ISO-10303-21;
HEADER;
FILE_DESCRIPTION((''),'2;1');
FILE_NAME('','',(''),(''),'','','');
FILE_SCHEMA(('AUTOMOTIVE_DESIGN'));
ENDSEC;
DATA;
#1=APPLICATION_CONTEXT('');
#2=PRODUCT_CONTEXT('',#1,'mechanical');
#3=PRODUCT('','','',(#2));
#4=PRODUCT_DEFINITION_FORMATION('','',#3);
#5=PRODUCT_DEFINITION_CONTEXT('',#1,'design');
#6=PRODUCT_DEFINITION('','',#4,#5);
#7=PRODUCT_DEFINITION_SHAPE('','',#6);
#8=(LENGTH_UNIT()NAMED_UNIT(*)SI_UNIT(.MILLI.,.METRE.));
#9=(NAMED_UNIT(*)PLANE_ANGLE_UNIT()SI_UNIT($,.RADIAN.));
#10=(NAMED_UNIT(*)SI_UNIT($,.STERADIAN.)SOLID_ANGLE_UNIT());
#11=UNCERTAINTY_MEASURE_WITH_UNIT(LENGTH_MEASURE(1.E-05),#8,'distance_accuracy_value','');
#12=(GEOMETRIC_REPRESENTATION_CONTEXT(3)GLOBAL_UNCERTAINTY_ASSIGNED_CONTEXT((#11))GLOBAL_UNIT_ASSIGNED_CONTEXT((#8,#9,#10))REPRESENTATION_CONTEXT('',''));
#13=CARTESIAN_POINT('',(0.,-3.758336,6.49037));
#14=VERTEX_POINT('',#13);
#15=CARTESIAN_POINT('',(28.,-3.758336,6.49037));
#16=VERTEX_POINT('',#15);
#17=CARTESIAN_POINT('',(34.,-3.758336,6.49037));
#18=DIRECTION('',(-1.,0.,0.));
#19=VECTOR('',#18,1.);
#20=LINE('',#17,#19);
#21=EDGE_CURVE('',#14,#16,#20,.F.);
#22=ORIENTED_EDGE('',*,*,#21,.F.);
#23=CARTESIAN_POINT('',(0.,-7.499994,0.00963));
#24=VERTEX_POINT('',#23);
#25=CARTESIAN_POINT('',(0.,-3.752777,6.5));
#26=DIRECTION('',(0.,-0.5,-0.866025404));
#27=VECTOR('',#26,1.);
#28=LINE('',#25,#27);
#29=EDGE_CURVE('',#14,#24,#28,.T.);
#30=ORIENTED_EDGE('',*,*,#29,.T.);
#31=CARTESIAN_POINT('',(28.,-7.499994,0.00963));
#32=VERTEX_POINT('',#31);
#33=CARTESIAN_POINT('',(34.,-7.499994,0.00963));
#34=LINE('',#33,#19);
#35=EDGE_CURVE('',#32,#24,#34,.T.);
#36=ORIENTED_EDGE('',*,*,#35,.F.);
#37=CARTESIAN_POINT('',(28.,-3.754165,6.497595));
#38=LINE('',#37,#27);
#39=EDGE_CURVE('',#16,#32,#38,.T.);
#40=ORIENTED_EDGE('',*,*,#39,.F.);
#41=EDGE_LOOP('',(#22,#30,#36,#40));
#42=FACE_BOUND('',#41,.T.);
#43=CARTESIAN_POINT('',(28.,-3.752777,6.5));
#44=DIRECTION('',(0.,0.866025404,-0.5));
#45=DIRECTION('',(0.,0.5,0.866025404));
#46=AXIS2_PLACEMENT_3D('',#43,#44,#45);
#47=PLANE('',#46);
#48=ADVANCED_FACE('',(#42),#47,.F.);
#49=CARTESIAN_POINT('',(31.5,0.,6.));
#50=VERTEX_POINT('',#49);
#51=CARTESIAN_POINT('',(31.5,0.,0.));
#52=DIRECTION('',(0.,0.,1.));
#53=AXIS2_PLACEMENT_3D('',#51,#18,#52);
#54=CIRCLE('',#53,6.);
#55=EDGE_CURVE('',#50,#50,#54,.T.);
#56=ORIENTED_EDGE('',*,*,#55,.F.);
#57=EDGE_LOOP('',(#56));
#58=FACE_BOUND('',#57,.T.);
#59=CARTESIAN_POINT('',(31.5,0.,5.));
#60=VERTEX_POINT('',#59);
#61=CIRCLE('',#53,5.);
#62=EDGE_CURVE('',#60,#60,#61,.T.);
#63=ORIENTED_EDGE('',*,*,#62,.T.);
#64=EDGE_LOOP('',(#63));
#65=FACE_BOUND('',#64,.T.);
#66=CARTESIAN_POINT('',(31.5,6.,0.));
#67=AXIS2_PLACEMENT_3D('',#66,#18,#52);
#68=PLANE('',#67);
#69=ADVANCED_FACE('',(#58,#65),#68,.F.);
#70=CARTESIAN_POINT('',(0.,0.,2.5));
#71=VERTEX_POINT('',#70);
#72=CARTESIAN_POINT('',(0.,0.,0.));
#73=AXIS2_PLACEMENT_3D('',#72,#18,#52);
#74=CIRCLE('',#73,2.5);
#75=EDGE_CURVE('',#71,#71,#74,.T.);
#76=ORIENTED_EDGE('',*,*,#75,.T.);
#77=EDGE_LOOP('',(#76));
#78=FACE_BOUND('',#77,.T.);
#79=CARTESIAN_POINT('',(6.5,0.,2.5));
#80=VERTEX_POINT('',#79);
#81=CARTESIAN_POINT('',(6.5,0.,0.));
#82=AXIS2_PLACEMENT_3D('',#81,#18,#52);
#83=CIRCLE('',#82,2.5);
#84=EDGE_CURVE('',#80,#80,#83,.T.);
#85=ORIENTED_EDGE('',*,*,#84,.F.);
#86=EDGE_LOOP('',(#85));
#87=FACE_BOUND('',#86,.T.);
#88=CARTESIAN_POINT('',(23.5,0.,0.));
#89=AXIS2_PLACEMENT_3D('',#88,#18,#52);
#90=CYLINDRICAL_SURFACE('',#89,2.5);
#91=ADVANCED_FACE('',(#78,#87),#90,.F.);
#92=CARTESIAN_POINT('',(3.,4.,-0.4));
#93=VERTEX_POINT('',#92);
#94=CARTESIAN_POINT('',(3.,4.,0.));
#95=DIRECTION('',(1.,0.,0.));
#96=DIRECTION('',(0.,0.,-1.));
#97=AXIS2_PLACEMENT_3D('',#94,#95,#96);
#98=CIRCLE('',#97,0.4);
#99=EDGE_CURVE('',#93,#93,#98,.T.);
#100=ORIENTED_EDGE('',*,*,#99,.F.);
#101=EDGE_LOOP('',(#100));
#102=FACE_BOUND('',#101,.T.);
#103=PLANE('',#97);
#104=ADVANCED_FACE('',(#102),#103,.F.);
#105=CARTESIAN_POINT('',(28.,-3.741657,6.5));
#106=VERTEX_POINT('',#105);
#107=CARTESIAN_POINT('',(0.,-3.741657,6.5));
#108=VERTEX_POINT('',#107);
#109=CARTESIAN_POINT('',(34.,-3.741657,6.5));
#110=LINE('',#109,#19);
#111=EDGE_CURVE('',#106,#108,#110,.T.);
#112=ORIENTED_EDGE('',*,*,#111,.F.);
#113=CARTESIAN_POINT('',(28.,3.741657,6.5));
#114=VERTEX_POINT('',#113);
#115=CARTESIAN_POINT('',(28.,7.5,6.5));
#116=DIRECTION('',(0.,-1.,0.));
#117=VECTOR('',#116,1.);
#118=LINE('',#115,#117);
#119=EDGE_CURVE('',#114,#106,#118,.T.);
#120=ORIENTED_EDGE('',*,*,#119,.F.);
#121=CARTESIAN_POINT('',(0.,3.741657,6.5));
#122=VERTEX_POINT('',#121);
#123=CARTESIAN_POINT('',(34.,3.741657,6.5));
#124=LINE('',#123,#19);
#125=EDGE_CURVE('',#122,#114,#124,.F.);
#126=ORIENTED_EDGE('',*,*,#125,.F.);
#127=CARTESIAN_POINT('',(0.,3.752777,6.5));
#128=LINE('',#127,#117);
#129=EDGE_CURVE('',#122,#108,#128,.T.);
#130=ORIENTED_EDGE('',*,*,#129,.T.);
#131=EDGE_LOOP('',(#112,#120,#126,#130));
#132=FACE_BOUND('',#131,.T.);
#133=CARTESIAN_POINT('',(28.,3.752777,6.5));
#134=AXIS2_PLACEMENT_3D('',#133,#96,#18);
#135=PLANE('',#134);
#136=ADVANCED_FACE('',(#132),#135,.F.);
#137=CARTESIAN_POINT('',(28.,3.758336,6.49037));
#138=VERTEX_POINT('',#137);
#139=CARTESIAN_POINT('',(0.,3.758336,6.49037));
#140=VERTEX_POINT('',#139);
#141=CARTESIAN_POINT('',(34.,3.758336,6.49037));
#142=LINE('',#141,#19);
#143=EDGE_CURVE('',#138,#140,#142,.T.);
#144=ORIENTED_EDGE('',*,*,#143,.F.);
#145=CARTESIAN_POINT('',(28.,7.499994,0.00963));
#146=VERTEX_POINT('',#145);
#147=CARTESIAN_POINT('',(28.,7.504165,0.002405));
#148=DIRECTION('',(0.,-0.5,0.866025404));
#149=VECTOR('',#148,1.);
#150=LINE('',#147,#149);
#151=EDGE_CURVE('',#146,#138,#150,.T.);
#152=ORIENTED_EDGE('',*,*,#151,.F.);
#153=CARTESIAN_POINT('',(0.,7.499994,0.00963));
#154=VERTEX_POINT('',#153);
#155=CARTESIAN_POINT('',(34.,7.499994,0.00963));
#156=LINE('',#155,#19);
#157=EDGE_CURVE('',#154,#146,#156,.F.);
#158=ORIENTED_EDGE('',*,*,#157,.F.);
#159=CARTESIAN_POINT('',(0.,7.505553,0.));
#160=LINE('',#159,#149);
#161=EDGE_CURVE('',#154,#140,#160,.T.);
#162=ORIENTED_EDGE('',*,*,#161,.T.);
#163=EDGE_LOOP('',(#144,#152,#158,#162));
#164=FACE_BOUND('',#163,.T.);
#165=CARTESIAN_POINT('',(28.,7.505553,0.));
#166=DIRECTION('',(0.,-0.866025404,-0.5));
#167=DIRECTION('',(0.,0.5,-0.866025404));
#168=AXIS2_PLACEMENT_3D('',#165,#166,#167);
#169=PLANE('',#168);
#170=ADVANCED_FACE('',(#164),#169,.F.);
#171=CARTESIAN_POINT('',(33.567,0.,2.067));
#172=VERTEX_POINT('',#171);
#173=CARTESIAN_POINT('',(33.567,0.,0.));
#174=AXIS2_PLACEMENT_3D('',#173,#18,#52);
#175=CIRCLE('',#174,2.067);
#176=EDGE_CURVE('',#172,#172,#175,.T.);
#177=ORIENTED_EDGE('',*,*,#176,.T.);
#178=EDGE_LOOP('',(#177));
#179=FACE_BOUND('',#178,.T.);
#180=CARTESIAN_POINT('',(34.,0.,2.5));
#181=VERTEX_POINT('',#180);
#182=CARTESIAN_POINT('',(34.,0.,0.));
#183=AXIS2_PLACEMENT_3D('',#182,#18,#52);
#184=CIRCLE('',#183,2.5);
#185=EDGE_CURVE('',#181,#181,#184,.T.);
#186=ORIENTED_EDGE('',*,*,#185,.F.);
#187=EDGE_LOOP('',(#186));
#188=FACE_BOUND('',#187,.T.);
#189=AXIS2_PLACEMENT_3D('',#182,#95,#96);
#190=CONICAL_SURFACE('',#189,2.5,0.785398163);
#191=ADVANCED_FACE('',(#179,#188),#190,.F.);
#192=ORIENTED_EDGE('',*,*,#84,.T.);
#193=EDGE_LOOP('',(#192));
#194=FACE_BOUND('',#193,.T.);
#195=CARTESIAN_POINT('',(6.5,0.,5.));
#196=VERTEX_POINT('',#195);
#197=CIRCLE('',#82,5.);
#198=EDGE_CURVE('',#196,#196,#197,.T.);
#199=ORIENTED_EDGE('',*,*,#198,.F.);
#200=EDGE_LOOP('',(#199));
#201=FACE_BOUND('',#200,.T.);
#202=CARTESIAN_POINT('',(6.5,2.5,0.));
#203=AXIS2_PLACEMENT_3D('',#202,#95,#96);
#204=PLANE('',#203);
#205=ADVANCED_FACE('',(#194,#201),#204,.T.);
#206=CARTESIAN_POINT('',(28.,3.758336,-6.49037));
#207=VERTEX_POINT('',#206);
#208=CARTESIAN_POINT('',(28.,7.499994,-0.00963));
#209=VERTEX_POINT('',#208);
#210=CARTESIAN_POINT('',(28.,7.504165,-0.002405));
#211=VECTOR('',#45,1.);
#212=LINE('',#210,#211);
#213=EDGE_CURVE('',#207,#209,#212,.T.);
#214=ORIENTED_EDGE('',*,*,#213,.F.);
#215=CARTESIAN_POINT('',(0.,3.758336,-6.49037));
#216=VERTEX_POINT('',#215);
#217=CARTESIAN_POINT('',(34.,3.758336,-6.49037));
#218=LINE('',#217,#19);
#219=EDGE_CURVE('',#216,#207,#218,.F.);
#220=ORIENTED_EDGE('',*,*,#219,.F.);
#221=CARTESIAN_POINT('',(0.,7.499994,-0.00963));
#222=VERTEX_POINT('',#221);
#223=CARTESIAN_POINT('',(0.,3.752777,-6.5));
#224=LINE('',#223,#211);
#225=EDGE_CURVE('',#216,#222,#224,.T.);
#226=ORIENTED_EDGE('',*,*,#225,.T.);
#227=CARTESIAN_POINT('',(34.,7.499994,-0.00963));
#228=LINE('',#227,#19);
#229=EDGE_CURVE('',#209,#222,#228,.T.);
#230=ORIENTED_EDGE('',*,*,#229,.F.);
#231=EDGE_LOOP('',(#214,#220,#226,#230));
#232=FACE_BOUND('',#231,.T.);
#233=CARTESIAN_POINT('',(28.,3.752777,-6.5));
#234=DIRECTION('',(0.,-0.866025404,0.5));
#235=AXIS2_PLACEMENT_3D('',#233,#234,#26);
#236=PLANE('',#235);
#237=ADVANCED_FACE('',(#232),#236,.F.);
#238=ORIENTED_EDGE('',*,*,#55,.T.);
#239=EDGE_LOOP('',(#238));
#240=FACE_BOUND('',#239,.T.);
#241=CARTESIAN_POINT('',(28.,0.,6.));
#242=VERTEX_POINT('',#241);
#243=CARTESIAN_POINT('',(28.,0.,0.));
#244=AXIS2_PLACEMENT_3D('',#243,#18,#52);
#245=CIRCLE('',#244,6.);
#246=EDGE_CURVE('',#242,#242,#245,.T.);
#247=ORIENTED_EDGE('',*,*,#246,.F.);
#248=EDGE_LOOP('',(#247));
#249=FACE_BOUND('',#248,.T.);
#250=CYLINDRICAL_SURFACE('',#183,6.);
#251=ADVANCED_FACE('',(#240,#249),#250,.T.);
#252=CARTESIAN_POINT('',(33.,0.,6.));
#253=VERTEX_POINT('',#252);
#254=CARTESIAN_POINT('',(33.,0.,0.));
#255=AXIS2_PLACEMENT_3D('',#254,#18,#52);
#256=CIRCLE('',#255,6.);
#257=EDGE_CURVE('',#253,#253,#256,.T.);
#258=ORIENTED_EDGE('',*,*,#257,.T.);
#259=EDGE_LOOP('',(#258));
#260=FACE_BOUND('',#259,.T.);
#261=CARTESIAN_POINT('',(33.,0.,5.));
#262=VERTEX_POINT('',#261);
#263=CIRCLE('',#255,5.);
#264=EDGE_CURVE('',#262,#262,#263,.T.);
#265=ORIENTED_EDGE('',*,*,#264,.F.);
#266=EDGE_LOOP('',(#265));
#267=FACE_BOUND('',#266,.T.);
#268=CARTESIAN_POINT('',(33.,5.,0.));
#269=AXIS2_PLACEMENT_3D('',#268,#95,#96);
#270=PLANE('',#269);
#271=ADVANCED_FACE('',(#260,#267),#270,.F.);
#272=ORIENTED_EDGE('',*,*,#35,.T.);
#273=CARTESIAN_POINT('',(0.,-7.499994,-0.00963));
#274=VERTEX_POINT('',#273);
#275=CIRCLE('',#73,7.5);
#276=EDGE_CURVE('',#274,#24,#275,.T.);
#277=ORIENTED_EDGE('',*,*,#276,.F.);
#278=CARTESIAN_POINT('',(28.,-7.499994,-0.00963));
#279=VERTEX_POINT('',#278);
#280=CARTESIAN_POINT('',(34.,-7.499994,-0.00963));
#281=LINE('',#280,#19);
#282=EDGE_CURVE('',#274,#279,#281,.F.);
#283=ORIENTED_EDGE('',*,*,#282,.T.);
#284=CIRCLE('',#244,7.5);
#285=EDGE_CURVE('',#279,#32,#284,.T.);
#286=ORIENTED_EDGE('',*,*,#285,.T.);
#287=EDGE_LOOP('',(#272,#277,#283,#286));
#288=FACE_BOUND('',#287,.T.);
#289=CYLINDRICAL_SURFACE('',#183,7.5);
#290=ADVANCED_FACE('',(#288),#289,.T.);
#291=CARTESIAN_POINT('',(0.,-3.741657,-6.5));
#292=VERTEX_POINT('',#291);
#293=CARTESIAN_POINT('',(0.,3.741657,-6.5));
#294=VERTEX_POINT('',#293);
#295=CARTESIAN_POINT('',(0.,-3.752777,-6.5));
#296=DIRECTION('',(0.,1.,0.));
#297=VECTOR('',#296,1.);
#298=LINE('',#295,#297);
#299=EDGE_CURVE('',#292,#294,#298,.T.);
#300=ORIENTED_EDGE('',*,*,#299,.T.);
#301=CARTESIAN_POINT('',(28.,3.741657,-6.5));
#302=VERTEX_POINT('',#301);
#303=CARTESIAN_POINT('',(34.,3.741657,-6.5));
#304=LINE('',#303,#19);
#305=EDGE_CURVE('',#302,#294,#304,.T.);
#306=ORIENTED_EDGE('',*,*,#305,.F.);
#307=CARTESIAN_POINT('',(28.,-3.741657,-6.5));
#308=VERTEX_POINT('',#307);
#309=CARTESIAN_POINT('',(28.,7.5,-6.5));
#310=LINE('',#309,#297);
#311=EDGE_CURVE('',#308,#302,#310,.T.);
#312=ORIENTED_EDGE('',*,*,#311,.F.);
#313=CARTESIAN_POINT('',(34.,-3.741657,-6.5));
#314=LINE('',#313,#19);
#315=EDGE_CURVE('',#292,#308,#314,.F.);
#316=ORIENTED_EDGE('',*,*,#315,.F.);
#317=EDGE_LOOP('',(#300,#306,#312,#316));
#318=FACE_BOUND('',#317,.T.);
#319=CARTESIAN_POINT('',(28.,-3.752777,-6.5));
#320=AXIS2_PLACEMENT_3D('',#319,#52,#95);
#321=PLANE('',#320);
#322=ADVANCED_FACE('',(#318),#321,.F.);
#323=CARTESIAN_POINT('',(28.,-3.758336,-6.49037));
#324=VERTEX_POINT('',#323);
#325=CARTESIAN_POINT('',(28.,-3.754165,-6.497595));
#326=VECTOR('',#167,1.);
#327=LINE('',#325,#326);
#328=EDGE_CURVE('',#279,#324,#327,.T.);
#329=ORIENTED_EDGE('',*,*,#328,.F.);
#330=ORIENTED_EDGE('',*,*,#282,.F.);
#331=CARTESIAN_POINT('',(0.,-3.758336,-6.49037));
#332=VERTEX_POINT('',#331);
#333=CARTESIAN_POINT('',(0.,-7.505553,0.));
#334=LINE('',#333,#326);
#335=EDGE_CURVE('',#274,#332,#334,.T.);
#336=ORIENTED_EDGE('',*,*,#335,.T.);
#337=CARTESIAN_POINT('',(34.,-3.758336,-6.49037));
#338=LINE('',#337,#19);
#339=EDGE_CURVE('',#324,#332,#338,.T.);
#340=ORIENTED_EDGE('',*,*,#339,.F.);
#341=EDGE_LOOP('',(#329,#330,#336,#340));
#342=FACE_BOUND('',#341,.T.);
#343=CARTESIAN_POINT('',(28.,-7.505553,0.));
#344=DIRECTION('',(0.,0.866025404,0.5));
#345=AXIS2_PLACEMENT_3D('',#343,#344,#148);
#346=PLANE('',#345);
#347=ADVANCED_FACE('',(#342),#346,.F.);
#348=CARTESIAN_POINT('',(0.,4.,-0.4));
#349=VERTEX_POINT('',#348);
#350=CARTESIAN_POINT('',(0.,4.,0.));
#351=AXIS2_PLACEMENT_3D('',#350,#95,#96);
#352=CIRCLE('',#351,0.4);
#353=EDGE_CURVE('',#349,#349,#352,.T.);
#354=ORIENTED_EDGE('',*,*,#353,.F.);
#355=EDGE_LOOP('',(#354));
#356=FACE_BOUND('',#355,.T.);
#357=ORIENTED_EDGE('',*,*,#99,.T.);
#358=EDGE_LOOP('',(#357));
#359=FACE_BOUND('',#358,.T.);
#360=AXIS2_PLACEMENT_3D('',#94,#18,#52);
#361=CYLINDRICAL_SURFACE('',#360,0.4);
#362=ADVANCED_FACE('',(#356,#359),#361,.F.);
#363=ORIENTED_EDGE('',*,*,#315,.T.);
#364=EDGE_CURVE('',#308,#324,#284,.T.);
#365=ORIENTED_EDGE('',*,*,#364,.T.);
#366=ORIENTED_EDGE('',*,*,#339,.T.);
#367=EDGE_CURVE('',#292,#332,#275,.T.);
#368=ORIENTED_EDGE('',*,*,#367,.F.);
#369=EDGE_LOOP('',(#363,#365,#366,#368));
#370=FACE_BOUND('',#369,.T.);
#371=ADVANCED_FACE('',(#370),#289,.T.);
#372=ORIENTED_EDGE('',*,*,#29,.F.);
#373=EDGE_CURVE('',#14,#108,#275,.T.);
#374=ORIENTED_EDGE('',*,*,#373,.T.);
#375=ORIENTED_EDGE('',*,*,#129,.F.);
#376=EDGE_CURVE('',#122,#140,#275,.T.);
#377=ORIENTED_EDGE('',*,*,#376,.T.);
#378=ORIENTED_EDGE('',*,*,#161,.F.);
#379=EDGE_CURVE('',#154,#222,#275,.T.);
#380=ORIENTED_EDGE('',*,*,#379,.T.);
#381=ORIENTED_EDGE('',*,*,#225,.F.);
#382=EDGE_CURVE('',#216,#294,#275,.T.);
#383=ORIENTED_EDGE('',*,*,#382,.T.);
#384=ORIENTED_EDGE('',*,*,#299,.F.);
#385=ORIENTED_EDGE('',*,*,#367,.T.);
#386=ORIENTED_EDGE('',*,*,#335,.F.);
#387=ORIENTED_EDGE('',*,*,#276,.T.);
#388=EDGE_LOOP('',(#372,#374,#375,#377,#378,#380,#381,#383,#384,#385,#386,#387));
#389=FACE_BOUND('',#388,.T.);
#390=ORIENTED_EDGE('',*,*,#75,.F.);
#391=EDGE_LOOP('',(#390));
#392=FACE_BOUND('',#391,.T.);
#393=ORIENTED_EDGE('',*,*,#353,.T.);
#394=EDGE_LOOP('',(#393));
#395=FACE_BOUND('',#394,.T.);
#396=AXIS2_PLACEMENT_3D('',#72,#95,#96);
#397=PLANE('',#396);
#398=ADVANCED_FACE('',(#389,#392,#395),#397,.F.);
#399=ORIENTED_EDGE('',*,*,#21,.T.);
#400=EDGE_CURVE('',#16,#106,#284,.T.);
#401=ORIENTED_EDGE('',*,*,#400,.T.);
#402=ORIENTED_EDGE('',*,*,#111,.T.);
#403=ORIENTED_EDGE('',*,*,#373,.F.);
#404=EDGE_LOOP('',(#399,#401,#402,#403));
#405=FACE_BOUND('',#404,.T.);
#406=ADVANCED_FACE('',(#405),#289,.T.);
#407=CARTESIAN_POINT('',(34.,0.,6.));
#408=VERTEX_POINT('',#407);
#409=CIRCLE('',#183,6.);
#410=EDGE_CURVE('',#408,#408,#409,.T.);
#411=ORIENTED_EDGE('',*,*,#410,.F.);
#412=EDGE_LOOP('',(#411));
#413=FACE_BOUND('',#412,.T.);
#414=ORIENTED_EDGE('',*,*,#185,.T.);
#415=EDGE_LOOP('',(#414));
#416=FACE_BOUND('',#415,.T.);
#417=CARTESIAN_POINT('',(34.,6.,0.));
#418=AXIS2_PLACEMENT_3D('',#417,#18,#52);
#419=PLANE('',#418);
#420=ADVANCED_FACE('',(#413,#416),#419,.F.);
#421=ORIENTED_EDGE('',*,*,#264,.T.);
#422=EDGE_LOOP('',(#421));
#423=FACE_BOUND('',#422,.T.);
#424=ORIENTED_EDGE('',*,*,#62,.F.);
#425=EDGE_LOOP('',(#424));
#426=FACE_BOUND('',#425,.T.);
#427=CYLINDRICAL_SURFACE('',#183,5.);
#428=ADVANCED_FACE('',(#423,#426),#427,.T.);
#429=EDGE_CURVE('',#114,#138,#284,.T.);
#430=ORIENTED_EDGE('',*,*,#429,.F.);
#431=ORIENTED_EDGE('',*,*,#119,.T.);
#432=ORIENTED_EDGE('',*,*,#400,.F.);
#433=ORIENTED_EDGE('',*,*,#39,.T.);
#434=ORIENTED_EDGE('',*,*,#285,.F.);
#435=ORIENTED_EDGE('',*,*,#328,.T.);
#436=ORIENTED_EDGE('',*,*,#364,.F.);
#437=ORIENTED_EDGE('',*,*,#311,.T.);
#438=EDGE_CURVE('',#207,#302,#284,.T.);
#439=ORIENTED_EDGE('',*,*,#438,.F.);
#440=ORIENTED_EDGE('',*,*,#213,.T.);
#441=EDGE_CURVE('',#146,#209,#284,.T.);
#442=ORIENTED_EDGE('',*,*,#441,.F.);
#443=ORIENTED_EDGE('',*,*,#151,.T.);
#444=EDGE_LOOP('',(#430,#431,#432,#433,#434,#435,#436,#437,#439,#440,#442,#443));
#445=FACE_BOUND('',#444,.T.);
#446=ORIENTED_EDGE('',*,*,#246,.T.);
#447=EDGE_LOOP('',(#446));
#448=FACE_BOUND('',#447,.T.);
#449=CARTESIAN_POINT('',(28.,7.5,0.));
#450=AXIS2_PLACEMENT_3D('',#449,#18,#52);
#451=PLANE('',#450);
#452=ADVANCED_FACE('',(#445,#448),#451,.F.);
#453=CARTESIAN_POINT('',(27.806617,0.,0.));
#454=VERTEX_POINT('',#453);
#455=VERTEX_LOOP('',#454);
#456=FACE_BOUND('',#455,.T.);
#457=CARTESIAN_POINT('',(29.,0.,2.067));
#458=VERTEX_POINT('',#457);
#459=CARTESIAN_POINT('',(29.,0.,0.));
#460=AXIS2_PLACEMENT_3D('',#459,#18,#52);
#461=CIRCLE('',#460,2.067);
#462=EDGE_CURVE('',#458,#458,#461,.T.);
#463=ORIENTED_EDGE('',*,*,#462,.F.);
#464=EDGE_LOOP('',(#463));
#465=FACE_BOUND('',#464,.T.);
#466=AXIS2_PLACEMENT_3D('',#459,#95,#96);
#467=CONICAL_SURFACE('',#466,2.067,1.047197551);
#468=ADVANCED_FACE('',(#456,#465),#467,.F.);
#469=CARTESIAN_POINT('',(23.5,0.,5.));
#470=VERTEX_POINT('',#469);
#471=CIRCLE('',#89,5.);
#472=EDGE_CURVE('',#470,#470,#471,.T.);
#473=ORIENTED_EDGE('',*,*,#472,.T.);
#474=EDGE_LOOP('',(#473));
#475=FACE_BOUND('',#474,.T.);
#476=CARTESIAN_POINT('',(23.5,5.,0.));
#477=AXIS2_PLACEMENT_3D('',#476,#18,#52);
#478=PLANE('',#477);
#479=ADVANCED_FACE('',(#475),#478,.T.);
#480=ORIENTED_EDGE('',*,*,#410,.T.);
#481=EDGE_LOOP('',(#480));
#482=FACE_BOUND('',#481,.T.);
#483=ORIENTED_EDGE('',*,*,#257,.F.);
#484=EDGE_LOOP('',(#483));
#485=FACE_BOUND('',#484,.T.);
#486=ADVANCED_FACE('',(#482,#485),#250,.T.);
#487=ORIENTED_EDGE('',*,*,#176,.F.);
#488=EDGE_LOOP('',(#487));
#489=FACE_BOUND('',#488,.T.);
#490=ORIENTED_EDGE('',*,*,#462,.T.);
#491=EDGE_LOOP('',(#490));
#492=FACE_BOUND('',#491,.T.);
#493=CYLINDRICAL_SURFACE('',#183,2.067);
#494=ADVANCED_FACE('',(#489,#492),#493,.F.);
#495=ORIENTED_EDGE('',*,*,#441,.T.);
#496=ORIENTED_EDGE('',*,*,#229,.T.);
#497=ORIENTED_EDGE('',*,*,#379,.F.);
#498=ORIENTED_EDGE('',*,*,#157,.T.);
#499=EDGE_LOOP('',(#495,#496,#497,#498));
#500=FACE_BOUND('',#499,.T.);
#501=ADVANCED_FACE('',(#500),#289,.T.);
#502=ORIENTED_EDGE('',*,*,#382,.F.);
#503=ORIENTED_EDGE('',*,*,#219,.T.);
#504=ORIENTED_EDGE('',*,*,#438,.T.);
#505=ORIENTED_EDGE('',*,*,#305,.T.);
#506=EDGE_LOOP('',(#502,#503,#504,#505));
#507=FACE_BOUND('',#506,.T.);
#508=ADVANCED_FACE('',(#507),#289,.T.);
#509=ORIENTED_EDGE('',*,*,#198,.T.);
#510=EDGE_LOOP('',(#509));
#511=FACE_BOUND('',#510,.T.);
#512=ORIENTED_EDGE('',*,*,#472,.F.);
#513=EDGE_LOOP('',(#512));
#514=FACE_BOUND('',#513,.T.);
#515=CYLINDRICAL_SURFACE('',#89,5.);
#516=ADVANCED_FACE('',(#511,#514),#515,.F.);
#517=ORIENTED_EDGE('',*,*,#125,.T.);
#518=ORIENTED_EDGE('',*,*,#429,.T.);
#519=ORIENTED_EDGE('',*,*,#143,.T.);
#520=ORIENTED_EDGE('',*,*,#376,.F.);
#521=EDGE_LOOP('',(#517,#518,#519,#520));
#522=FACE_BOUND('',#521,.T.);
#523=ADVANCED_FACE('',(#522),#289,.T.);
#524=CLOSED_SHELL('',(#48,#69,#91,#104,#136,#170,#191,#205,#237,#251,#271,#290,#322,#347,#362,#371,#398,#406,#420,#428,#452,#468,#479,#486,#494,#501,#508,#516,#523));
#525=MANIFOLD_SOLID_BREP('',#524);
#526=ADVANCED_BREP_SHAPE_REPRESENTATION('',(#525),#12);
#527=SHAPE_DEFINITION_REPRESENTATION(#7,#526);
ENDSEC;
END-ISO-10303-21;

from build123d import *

# Parameters (mm, degrees)
SKETCH_4_R          = 23.958779716
CUT_EXTRUDE_1_DEPTH = 28
SKETCH_5_R          = 0.4
CUT_EXTRUDE_2_DEPTH = 3


with BuildPart() as part:
    # 草图1 → 旋转1 (revolve)
    with BuildSketch(Plane.XY, mode=Mode.PRIVATE) as revolve_1_sk:
        Polygon((0, 0), (0, 7.5), (28, 7.5), (28, 6), (31.5, 6), (31.5, 5), (33, 5), (33, 6), (34, 6), (34, 0), align=None)
    revolve(revolve_1_sk.sketch.rotate(Axis((34, 0, 0), (-1, 0, 0)), 270), axis=Axis((34, 0, 0), (-1, 0, 0)))

    # 草图2 → 切除-旋转1 (revolve, cut)
    with BuildSketch(Plane.XY, mode=Mode.PRIVATE) as cut_revolve_1_sk:
        Polygon((0, 0), (0, 2.5), (6.5, 2.5), (6.5, 5), (23.5, 5), (23.5, 0), align=None)
    revolve(cut_revolve_1_sk.sketch.rotate(Axis((23.5, 0, 0), (-1, 0, 0)), 270), axis=Axis((23.5, 0, 0), (-1, 0, 0)), mode=Mode.SUBTRACT)

    # 草图3 → 切除-旋转2 (revolve, cut)
    with BuildSketch(Plane.XY, mode=Mode.PRIVATE) as cut_revolve_2_sk:
        Polygon((27.806616994, 0), (29, 2.067), (33.567, 2.067), (34, 2.5), (34, 0), align=None)
    revolve(cut_revolve_2_sk.sketch.rotate(Axis((34, 0, 0), (-1, 0, 0)), 270), axis=Axis((34, 0, 0), (-1, 0, 0)), mode=Mode.SUBTRACT)

    # 草图4 → 切除-拉伸1 (cut)
    with BuildSketch(Plane(origin=(0, 0, 0), x_dir=(0, 0, -1), z_dir=(1, 0, 0))):
        Circle(SKETCH_4_R)
        Polygon((-6.5, -3.75277675), (0, -7.505553499), (6.5, -3.75277675), (6.5, 3.75277675), (0, 7.505553499), (-6.5, 3.75277675), align=None, mode=Mode.SUBTRACT)
    extrude(amount=CUT_EXTRUDE_1_DEPTH, mode=Mode.SUBTRACT)

    # 草图5 → 切除-拉伸2 (cut)
    with BuildSketch(Plane(origin=(0, 0, 0), x_dir=(0, 0, -1), z_dir=(1, 0, 0))):
        with Locations((0, 4)):
            Circle(SKETCH_5_R)
    extrude(amount=CUT_EXTRUDE_2_DEPTH, mode=Mode.SUBTRACT)


solid = part.part
